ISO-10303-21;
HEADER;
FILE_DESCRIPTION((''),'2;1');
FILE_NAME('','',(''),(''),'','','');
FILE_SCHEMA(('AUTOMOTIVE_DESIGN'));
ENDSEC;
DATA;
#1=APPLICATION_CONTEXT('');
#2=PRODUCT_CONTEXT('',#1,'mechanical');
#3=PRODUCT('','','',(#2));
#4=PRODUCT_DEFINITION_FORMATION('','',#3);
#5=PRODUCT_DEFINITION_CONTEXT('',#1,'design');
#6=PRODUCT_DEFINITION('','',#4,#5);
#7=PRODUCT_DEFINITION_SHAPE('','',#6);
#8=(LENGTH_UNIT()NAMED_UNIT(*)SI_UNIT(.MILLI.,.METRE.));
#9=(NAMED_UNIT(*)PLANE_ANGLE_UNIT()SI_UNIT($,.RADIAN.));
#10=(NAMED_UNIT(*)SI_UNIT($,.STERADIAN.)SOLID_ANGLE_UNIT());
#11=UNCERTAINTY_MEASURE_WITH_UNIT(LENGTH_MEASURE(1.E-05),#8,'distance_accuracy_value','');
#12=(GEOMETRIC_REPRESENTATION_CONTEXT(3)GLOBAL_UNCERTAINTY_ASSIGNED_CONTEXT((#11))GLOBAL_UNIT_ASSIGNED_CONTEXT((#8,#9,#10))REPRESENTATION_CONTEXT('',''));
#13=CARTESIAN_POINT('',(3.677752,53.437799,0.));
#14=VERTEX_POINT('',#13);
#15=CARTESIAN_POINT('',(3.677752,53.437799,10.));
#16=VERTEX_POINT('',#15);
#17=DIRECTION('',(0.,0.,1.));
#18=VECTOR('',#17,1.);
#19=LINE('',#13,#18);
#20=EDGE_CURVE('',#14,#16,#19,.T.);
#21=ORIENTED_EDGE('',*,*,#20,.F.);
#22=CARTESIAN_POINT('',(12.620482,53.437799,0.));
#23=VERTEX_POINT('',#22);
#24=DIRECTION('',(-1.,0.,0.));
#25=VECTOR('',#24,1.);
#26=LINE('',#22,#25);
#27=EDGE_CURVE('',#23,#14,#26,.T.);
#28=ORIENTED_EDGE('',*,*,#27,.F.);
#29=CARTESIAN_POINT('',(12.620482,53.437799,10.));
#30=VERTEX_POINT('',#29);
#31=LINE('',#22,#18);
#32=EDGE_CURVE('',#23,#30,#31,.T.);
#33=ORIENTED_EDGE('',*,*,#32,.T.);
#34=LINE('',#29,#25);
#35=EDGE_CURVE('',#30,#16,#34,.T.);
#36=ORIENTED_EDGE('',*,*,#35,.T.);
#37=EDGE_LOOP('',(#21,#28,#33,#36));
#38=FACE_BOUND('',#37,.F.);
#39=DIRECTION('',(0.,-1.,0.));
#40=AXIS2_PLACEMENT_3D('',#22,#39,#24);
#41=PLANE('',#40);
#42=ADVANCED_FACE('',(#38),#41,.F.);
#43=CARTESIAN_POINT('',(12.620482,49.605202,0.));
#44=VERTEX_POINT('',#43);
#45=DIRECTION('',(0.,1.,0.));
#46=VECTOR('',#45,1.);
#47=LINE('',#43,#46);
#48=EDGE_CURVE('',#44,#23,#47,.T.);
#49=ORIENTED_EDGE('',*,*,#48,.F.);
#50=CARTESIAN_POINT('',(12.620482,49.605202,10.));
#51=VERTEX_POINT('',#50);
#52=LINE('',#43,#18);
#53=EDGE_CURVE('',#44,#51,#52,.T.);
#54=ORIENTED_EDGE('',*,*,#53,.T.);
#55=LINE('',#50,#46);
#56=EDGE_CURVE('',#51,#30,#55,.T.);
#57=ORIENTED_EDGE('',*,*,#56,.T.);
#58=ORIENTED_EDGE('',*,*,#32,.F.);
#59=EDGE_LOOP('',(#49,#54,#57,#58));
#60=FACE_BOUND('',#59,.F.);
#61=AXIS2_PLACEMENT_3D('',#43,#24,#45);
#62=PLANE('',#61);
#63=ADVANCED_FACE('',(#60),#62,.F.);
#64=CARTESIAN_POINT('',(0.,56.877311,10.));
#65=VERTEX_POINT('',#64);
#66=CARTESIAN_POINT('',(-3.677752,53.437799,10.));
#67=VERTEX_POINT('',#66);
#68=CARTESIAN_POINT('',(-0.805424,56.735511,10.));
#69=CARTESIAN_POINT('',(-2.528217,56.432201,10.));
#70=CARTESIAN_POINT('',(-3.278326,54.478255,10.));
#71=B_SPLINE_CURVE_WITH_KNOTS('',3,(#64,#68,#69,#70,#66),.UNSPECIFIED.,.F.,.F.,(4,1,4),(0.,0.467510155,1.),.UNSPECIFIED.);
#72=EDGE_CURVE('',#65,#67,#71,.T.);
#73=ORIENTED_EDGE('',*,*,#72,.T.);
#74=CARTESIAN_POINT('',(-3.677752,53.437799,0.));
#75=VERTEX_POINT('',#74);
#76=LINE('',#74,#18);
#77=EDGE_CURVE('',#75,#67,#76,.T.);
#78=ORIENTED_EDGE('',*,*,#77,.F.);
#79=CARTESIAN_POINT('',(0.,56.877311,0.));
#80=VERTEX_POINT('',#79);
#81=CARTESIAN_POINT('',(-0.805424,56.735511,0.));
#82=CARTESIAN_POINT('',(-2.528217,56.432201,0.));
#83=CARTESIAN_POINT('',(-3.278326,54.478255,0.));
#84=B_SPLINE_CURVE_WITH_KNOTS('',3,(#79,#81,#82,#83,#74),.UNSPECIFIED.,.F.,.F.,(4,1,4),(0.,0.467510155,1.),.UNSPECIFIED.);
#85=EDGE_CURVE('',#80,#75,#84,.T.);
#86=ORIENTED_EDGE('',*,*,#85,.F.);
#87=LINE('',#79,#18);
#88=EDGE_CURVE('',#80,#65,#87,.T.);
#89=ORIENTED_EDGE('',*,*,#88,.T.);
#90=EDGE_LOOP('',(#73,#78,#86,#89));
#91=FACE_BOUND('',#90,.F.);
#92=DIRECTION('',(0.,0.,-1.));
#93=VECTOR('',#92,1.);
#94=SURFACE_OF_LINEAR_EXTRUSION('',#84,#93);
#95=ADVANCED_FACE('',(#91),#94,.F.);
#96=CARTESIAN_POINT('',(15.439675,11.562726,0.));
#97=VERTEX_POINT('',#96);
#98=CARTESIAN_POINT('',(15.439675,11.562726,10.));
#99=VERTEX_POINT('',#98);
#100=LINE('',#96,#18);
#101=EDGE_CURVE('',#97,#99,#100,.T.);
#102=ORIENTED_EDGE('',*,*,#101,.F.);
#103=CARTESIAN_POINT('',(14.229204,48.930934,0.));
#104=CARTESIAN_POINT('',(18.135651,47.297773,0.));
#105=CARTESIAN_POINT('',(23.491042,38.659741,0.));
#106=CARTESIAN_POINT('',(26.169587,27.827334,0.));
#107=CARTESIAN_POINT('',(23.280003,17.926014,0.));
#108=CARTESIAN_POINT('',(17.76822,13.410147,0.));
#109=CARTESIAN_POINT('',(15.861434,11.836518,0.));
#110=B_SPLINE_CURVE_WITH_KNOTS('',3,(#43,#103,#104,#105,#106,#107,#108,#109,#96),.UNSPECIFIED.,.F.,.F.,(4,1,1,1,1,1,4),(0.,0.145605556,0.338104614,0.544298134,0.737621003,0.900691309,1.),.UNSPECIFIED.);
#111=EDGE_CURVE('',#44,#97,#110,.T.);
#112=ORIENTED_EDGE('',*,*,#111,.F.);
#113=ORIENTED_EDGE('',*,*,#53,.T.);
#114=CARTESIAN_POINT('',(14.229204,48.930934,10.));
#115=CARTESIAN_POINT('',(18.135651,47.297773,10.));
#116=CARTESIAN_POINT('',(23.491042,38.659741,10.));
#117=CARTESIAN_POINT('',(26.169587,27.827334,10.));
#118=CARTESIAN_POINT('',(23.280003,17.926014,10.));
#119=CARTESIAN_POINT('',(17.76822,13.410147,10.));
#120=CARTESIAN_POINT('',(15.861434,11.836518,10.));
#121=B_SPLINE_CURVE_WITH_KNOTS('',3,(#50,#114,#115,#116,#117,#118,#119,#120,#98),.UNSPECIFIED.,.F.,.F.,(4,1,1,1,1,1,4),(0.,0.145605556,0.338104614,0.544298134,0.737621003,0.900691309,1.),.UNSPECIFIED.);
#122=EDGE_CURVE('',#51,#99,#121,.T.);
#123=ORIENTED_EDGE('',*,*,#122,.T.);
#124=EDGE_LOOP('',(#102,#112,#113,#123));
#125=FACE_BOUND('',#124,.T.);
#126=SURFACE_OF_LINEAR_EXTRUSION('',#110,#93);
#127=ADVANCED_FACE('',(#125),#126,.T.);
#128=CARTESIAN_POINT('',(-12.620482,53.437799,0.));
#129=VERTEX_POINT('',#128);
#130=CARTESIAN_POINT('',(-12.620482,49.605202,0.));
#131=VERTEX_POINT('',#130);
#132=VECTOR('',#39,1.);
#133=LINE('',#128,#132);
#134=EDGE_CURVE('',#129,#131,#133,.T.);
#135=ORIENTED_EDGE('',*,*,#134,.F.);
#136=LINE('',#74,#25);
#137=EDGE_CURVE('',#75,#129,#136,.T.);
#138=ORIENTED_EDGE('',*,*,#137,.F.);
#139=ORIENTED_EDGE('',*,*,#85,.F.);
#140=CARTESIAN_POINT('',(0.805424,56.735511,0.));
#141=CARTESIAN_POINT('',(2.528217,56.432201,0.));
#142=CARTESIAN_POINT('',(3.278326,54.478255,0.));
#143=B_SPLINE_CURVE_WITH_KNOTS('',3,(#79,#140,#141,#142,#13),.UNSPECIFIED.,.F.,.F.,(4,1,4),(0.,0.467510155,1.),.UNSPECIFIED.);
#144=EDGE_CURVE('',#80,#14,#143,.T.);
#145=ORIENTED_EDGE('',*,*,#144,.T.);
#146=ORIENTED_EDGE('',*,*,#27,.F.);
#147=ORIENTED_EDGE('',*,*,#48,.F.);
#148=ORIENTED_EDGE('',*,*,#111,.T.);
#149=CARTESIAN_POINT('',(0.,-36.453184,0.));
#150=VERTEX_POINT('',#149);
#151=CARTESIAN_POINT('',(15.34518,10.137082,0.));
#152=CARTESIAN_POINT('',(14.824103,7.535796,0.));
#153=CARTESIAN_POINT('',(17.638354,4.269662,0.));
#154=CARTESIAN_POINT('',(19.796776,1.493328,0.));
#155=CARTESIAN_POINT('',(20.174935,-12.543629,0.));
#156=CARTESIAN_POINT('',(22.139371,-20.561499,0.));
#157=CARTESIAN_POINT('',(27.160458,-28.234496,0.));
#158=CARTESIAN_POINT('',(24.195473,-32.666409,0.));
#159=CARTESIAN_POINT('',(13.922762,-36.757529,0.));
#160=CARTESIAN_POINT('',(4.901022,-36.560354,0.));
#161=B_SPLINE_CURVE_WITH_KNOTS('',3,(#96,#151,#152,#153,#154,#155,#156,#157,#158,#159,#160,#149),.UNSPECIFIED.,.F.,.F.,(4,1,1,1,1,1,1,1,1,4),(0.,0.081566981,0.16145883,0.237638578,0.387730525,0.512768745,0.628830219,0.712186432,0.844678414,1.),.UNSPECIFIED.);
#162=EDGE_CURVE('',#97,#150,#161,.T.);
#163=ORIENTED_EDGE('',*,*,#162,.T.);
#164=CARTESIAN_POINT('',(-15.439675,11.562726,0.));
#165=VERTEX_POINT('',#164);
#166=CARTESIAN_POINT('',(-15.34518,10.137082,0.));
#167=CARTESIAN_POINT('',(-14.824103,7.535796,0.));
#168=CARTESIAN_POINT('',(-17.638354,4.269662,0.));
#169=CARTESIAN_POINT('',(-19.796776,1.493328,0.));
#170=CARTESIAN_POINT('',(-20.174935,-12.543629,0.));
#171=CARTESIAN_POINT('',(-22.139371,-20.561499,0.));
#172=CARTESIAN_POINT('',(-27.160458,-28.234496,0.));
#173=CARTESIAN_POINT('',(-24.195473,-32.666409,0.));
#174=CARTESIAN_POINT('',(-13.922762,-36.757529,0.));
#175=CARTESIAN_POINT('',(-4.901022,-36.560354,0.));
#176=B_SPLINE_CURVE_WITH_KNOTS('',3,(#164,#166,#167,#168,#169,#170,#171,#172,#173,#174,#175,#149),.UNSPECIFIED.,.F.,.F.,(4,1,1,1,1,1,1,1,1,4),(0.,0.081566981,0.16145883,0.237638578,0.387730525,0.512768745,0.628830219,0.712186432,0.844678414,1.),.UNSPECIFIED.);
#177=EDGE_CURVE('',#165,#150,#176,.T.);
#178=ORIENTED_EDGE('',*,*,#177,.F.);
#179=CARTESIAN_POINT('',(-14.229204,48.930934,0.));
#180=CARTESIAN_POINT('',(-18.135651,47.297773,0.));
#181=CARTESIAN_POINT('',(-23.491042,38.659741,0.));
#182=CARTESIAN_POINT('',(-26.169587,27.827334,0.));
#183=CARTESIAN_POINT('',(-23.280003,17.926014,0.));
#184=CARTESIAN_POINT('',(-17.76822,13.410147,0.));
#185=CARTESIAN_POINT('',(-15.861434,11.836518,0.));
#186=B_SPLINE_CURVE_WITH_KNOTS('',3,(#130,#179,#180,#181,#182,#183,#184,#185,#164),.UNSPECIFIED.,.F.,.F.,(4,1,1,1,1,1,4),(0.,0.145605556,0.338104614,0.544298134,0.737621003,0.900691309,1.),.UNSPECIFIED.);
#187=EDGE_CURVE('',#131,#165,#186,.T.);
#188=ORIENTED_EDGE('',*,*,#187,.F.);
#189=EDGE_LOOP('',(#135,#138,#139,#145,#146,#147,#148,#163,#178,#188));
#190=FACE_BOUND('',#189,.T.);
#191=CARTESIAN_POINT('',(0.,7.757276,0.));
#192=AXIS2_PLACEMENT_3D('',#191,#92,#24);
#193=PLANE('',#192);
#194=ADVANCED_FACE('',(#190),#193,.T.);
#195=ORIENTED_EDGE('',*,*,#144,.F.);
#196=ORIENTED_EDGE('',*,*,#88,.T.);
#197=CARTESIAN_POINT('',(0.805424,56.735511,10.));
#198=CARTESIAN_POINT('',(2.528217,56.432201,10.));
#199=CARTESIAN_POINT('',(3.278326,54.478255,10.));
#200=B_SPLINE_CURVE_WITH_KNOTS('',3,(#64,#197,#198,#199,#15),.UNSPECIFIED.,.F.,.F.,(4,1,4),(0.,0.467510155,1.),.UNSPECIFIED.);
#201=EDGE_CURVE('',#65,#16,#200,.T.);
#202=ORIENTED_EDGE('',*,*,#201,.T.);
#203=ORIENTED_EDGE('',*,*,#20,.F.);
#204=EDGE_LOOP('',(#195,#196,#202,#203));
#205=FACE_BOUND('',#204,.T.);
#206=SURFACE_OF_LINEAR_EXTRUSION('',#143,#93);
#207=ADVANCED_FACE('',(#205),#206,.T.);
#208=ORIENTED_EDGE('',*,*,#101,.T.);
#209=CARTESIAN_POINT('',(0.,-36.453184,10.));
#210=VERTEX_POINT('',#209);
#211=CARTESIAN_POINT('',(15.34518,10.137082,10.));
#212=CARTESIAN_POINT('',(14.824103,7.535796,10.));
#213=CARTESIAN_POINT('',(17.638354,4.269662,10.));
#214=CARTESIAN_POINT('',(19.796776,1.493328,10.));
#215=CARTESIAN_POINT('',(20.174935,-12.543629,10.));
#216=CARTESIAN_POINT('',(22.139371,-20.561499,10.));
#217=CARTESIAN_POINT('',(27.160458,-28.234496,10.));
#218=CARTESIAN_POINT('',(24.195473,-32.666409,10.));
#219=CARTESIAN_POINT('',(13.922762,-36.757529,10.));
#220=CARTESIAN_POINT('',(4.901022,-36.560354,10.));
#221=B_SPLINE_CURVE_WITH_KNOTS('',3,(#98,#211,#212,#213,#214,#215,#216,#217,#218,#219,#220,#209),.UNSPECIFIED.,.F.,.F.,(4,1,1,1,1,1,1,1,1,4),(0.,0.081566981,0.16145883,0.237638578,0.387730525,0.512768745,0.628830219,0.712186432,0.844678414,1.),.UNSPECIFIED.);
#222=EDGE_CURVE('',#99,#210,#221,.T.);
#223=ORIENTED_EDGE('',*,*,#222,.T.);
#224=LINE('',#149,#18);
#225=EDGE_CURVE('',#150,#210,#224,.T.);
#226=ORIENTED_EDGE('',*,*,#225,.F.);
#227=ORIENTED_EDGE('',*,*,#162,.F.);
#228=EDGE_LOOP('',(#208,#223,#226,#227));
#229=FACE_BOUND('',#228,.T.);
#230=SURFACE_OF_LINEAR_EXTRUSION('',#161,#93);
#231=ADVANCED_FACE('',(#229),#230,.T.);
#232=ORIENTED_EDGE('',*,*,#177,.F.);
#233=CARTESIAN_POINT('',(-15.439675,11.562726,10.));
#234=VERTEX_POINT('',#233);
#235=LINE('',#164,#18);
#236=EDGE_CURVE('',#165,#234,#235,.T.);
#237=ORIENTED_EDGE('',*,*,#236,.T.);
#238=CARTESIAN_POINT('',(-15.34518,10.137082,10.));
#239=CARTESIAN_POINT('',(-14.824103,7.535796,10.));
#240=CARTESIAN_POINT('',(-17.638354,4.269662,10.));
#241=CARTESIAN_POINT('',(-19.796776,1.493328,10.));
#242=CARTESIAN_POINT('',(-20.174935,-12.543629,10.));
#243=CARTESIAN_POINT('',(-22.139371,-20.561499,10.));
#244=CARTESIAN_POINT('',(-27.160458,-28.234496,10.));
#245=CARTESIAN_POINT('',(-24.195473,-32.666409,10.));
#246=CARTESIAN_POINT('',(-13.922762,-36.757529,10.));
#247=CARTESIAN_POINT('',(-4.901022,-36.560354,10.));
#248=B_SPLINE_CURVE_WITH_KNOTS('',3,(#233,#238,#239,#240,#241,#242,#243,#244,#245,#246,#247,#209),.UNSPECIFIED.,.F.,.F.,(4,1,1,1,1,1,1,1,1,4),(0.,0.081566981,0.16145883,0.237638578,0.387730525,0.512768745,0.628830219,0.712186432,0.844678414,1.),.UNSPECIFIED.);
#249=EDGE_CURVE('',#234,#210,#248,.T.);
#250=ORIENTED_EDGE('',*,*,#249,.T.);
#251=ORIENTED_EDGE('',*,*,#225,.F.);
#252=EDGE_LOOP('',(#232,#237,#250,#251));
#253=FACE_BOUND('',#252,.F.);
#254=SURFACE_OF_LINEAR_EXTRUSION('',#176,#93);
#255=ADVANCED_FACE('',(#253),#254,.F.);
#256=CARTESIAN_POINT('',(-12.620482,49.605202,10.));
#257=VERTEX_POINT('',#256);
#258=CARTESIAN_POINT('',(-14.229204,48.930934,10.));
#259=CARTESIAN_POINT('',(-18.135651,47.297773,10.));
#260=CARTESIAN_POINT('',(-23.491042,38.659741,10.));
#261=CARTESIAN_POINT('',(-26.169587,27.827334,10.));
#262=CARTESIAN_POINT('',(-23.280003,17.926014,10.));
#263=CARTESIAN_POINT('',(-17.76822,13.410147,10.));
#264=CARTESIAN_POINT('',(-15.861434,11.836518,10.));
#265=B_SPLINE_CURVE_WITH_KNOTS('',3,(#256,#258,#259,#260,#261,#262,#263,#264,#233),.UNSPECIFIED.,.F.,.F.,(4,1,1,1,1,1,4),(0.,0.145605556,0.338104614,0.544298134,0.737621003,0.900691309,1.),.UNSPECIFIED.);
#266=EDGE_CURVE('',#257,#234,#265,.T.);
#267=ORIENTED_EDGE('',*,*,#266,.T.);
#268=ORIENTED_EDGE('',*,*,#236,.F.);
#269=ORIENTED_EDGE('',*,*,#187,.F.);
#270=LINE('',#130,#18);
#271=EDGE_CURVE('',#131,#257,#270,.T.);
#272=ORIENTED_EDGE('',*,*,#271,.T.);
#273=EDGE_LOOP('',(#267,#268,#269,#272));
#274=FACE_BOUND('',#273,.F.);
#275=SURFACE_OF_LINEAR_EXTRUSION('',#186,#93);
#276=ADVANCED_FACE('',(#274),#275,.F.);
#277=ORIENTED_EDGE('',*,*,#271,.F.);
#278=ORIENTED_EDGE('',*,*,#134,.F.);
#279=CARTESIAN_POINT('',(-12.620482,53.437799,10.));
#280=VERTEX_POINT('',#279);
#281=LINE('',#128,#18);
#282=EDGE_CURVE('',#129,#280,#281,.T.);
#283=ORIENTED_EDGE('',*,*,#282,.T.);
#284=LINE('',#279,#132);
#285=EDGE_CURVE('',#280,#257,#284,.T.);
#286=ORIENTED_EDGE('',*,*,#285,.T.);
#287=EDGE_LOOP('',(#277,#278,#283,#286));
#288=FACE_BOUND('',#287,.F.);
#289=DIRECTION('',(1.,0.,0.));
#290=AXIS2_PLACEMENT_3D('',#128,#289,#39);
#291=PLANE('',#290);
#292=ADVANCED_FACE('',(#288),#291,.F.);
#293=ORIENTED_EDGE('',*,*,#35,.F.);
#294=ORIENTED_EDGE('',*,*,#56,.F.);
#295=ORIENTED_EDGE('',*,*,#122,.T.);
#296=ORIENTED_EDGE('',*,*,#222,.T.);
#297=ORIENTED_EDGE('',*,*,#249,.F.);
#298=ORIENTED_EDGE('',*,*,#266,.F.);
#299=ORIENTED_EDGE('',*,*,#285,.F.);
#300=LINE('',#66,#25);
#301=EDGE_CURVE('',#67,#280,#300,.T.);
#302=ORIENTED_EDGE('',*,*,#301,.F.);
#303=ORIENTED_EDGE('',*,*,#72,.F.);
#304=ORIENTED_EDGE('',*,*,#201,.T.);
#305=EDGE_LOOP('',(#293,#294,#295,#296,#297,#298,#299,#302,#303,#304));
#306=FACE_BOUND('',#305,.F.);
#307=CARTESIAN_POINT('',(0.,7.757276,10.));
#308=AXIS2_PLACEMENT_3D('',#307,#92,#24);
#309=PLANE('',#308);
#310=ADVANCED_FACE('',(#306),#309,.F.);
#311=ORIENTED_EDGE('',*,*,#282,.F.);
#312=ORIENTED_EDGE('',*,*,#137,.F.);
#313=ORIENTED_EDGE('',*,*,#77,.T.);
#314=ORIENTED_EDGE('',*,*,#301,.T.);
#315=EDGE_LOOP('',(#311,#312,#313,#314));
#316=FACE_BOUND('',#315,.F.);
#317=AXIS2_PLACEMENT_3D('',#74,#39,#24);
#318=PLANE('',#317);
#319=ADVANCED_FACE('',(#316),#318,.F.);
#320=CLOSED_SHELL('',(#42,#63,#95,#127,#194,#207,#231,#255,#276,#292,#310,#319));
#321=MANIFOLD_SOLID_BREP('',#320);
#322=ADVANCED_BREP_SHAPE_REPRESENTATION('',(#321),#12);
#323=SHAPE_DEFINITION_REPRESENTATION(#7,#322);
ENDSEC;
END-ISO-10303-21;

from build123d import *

# Parameters (mm, degrees)
F1_DEPTH = 10


with BuildPart() as f1:
    # F0 (on Top) → F1 (new body)
    with BuildSketch(Plane.XY):
        with BuildLine():
            add(Edge.make_bspline(
                [(0, 56.8773113191), (0.8054235015, 56.7355107175), (2.5282170988, 56.4322005111), (3.2783261719, 54.4782552335), (3.6777516361, 53.4377992153)],
                knots=[0, 0, 0, 0, 0.4675101549, 1, 1, 1, 1], degree=3))
            add(Edge.make_bspline(
                [(0, 56.8773113191), (-0.8054235015, 56.7355107175), (-2.5282170988, 56.4322005111), (-3.2783261719, 54.4782552335), (-3.6777516361, 53.4377992153)],
                knots=[0, 0, 0, 0, 0.4675101549, 1, 1, 1, 1], degree=3))
            Line((-3.6777516361, 53.4377992153), (-12.6204816625, 53.4377992153))
            Line((-12.6204816625, 53.4377992153), (-12.6204816625, 49.6052019298))
            add(Edge.make_bspline(
                [(-12.6204816625, 49.6052019298), (-14.2292043355, 48.9309336469), (-18.1356514841, 47.2977728965), (-23.491041923, 38.6597412116), (-26.1695869874, 27.8273338957), (-23.2800031482, 17.9260135091), (-17.7682202454, 13.4101466747), (-15.8614338942, 11.8365177177), (-15.4396751896, 11.5627255291)],
                knots=[0, 0, 0, 0, 0.1456055555, 0.3381046139, 0.5442981339, 0.737621003, 0.9006913089, 1, 1, 1, 1], degree=3))
            add(Edge.make_bspline(
                [(-15.4396751896, 11.5627255291), (-15.3451802392, 10.1370824505), (-14.8241027078, 7.5357962998), (-17.6383536163, 4.2696618781), (-19.796775762, 1.4933282459), (-20.1749353943, -12.5436288597), (-22.1393711386, -20.5614990323), (-27.1604582277, -28.2344962413), (-24.1954731768, -32.6664090658), (-13.9227619627, -36.7575290948), (-4.9010215255, -36.5603540128), (0, -36.4531837404)],
                knots=[0, 0, 0, 0, 0.0815669811, 0.1614588304, 0.2376385783, 0.3877305251, 0.5127687448, 0.6288302189, 0.7121864321, 0.8446784144, 1, 1, 1, 1], degree=3))
            add(Edge.make_bspline(
                [(15.4396751896, 11.5627255291), (15.3451802392, 10.1370824505), (14.8241027078, 7.5357962998), (17.6383536163, 4.2696618781), (19.796775762, 1.4933282459), (20.1749353943, -12.5436288597), (22.1393711386, -20.5614990323), (27.1604582277, -28.2344962413), (24.1954731768, -32.6664090658), (13.9227619627, -36.7575290948), (4.9010215255, -36.5603540128), (0, -36.4531837404)],
                knots=[0, 0, 0, 0, 0.0815669811, 0.1614588304, 0.2376385783, 0.3877305251, 0.5127687448, 0.6288302189, 0.7121864321, 0.8446784144, 1, 1, 1, 1], degree=3))
            add(Edge.make_bspline(
                [(12.6204816625, 49.6052019298), (14.2292043355, 48.9309336469), (18.1356514841, 47.2977728965), (23.491041923, 38.6597412116), (26.1695869874, 27.8273338957), (23.2800031482, 17.9260135091), (17.7682202454, 13.4101466747), (15.8614338942, 11.8365177177), (15.4396751896, 11.5627255291)],
                knots=[0, 0, 0, 0, 0.1456055555, 0.3381046139, 0.5442981339, 0.737621003, 0.9006913089, 1, 1, 1, 1], degree=3))
            Line((12.6204816625, 49.6052019298), (12.6204816625, 53.4377992153))
            Line((12.6204816625, 53.4377992153), (3.6777516361, 53.4377992153))
        make_face()
    extrude(amount=F1_DEPTH)


solid = f1.part
